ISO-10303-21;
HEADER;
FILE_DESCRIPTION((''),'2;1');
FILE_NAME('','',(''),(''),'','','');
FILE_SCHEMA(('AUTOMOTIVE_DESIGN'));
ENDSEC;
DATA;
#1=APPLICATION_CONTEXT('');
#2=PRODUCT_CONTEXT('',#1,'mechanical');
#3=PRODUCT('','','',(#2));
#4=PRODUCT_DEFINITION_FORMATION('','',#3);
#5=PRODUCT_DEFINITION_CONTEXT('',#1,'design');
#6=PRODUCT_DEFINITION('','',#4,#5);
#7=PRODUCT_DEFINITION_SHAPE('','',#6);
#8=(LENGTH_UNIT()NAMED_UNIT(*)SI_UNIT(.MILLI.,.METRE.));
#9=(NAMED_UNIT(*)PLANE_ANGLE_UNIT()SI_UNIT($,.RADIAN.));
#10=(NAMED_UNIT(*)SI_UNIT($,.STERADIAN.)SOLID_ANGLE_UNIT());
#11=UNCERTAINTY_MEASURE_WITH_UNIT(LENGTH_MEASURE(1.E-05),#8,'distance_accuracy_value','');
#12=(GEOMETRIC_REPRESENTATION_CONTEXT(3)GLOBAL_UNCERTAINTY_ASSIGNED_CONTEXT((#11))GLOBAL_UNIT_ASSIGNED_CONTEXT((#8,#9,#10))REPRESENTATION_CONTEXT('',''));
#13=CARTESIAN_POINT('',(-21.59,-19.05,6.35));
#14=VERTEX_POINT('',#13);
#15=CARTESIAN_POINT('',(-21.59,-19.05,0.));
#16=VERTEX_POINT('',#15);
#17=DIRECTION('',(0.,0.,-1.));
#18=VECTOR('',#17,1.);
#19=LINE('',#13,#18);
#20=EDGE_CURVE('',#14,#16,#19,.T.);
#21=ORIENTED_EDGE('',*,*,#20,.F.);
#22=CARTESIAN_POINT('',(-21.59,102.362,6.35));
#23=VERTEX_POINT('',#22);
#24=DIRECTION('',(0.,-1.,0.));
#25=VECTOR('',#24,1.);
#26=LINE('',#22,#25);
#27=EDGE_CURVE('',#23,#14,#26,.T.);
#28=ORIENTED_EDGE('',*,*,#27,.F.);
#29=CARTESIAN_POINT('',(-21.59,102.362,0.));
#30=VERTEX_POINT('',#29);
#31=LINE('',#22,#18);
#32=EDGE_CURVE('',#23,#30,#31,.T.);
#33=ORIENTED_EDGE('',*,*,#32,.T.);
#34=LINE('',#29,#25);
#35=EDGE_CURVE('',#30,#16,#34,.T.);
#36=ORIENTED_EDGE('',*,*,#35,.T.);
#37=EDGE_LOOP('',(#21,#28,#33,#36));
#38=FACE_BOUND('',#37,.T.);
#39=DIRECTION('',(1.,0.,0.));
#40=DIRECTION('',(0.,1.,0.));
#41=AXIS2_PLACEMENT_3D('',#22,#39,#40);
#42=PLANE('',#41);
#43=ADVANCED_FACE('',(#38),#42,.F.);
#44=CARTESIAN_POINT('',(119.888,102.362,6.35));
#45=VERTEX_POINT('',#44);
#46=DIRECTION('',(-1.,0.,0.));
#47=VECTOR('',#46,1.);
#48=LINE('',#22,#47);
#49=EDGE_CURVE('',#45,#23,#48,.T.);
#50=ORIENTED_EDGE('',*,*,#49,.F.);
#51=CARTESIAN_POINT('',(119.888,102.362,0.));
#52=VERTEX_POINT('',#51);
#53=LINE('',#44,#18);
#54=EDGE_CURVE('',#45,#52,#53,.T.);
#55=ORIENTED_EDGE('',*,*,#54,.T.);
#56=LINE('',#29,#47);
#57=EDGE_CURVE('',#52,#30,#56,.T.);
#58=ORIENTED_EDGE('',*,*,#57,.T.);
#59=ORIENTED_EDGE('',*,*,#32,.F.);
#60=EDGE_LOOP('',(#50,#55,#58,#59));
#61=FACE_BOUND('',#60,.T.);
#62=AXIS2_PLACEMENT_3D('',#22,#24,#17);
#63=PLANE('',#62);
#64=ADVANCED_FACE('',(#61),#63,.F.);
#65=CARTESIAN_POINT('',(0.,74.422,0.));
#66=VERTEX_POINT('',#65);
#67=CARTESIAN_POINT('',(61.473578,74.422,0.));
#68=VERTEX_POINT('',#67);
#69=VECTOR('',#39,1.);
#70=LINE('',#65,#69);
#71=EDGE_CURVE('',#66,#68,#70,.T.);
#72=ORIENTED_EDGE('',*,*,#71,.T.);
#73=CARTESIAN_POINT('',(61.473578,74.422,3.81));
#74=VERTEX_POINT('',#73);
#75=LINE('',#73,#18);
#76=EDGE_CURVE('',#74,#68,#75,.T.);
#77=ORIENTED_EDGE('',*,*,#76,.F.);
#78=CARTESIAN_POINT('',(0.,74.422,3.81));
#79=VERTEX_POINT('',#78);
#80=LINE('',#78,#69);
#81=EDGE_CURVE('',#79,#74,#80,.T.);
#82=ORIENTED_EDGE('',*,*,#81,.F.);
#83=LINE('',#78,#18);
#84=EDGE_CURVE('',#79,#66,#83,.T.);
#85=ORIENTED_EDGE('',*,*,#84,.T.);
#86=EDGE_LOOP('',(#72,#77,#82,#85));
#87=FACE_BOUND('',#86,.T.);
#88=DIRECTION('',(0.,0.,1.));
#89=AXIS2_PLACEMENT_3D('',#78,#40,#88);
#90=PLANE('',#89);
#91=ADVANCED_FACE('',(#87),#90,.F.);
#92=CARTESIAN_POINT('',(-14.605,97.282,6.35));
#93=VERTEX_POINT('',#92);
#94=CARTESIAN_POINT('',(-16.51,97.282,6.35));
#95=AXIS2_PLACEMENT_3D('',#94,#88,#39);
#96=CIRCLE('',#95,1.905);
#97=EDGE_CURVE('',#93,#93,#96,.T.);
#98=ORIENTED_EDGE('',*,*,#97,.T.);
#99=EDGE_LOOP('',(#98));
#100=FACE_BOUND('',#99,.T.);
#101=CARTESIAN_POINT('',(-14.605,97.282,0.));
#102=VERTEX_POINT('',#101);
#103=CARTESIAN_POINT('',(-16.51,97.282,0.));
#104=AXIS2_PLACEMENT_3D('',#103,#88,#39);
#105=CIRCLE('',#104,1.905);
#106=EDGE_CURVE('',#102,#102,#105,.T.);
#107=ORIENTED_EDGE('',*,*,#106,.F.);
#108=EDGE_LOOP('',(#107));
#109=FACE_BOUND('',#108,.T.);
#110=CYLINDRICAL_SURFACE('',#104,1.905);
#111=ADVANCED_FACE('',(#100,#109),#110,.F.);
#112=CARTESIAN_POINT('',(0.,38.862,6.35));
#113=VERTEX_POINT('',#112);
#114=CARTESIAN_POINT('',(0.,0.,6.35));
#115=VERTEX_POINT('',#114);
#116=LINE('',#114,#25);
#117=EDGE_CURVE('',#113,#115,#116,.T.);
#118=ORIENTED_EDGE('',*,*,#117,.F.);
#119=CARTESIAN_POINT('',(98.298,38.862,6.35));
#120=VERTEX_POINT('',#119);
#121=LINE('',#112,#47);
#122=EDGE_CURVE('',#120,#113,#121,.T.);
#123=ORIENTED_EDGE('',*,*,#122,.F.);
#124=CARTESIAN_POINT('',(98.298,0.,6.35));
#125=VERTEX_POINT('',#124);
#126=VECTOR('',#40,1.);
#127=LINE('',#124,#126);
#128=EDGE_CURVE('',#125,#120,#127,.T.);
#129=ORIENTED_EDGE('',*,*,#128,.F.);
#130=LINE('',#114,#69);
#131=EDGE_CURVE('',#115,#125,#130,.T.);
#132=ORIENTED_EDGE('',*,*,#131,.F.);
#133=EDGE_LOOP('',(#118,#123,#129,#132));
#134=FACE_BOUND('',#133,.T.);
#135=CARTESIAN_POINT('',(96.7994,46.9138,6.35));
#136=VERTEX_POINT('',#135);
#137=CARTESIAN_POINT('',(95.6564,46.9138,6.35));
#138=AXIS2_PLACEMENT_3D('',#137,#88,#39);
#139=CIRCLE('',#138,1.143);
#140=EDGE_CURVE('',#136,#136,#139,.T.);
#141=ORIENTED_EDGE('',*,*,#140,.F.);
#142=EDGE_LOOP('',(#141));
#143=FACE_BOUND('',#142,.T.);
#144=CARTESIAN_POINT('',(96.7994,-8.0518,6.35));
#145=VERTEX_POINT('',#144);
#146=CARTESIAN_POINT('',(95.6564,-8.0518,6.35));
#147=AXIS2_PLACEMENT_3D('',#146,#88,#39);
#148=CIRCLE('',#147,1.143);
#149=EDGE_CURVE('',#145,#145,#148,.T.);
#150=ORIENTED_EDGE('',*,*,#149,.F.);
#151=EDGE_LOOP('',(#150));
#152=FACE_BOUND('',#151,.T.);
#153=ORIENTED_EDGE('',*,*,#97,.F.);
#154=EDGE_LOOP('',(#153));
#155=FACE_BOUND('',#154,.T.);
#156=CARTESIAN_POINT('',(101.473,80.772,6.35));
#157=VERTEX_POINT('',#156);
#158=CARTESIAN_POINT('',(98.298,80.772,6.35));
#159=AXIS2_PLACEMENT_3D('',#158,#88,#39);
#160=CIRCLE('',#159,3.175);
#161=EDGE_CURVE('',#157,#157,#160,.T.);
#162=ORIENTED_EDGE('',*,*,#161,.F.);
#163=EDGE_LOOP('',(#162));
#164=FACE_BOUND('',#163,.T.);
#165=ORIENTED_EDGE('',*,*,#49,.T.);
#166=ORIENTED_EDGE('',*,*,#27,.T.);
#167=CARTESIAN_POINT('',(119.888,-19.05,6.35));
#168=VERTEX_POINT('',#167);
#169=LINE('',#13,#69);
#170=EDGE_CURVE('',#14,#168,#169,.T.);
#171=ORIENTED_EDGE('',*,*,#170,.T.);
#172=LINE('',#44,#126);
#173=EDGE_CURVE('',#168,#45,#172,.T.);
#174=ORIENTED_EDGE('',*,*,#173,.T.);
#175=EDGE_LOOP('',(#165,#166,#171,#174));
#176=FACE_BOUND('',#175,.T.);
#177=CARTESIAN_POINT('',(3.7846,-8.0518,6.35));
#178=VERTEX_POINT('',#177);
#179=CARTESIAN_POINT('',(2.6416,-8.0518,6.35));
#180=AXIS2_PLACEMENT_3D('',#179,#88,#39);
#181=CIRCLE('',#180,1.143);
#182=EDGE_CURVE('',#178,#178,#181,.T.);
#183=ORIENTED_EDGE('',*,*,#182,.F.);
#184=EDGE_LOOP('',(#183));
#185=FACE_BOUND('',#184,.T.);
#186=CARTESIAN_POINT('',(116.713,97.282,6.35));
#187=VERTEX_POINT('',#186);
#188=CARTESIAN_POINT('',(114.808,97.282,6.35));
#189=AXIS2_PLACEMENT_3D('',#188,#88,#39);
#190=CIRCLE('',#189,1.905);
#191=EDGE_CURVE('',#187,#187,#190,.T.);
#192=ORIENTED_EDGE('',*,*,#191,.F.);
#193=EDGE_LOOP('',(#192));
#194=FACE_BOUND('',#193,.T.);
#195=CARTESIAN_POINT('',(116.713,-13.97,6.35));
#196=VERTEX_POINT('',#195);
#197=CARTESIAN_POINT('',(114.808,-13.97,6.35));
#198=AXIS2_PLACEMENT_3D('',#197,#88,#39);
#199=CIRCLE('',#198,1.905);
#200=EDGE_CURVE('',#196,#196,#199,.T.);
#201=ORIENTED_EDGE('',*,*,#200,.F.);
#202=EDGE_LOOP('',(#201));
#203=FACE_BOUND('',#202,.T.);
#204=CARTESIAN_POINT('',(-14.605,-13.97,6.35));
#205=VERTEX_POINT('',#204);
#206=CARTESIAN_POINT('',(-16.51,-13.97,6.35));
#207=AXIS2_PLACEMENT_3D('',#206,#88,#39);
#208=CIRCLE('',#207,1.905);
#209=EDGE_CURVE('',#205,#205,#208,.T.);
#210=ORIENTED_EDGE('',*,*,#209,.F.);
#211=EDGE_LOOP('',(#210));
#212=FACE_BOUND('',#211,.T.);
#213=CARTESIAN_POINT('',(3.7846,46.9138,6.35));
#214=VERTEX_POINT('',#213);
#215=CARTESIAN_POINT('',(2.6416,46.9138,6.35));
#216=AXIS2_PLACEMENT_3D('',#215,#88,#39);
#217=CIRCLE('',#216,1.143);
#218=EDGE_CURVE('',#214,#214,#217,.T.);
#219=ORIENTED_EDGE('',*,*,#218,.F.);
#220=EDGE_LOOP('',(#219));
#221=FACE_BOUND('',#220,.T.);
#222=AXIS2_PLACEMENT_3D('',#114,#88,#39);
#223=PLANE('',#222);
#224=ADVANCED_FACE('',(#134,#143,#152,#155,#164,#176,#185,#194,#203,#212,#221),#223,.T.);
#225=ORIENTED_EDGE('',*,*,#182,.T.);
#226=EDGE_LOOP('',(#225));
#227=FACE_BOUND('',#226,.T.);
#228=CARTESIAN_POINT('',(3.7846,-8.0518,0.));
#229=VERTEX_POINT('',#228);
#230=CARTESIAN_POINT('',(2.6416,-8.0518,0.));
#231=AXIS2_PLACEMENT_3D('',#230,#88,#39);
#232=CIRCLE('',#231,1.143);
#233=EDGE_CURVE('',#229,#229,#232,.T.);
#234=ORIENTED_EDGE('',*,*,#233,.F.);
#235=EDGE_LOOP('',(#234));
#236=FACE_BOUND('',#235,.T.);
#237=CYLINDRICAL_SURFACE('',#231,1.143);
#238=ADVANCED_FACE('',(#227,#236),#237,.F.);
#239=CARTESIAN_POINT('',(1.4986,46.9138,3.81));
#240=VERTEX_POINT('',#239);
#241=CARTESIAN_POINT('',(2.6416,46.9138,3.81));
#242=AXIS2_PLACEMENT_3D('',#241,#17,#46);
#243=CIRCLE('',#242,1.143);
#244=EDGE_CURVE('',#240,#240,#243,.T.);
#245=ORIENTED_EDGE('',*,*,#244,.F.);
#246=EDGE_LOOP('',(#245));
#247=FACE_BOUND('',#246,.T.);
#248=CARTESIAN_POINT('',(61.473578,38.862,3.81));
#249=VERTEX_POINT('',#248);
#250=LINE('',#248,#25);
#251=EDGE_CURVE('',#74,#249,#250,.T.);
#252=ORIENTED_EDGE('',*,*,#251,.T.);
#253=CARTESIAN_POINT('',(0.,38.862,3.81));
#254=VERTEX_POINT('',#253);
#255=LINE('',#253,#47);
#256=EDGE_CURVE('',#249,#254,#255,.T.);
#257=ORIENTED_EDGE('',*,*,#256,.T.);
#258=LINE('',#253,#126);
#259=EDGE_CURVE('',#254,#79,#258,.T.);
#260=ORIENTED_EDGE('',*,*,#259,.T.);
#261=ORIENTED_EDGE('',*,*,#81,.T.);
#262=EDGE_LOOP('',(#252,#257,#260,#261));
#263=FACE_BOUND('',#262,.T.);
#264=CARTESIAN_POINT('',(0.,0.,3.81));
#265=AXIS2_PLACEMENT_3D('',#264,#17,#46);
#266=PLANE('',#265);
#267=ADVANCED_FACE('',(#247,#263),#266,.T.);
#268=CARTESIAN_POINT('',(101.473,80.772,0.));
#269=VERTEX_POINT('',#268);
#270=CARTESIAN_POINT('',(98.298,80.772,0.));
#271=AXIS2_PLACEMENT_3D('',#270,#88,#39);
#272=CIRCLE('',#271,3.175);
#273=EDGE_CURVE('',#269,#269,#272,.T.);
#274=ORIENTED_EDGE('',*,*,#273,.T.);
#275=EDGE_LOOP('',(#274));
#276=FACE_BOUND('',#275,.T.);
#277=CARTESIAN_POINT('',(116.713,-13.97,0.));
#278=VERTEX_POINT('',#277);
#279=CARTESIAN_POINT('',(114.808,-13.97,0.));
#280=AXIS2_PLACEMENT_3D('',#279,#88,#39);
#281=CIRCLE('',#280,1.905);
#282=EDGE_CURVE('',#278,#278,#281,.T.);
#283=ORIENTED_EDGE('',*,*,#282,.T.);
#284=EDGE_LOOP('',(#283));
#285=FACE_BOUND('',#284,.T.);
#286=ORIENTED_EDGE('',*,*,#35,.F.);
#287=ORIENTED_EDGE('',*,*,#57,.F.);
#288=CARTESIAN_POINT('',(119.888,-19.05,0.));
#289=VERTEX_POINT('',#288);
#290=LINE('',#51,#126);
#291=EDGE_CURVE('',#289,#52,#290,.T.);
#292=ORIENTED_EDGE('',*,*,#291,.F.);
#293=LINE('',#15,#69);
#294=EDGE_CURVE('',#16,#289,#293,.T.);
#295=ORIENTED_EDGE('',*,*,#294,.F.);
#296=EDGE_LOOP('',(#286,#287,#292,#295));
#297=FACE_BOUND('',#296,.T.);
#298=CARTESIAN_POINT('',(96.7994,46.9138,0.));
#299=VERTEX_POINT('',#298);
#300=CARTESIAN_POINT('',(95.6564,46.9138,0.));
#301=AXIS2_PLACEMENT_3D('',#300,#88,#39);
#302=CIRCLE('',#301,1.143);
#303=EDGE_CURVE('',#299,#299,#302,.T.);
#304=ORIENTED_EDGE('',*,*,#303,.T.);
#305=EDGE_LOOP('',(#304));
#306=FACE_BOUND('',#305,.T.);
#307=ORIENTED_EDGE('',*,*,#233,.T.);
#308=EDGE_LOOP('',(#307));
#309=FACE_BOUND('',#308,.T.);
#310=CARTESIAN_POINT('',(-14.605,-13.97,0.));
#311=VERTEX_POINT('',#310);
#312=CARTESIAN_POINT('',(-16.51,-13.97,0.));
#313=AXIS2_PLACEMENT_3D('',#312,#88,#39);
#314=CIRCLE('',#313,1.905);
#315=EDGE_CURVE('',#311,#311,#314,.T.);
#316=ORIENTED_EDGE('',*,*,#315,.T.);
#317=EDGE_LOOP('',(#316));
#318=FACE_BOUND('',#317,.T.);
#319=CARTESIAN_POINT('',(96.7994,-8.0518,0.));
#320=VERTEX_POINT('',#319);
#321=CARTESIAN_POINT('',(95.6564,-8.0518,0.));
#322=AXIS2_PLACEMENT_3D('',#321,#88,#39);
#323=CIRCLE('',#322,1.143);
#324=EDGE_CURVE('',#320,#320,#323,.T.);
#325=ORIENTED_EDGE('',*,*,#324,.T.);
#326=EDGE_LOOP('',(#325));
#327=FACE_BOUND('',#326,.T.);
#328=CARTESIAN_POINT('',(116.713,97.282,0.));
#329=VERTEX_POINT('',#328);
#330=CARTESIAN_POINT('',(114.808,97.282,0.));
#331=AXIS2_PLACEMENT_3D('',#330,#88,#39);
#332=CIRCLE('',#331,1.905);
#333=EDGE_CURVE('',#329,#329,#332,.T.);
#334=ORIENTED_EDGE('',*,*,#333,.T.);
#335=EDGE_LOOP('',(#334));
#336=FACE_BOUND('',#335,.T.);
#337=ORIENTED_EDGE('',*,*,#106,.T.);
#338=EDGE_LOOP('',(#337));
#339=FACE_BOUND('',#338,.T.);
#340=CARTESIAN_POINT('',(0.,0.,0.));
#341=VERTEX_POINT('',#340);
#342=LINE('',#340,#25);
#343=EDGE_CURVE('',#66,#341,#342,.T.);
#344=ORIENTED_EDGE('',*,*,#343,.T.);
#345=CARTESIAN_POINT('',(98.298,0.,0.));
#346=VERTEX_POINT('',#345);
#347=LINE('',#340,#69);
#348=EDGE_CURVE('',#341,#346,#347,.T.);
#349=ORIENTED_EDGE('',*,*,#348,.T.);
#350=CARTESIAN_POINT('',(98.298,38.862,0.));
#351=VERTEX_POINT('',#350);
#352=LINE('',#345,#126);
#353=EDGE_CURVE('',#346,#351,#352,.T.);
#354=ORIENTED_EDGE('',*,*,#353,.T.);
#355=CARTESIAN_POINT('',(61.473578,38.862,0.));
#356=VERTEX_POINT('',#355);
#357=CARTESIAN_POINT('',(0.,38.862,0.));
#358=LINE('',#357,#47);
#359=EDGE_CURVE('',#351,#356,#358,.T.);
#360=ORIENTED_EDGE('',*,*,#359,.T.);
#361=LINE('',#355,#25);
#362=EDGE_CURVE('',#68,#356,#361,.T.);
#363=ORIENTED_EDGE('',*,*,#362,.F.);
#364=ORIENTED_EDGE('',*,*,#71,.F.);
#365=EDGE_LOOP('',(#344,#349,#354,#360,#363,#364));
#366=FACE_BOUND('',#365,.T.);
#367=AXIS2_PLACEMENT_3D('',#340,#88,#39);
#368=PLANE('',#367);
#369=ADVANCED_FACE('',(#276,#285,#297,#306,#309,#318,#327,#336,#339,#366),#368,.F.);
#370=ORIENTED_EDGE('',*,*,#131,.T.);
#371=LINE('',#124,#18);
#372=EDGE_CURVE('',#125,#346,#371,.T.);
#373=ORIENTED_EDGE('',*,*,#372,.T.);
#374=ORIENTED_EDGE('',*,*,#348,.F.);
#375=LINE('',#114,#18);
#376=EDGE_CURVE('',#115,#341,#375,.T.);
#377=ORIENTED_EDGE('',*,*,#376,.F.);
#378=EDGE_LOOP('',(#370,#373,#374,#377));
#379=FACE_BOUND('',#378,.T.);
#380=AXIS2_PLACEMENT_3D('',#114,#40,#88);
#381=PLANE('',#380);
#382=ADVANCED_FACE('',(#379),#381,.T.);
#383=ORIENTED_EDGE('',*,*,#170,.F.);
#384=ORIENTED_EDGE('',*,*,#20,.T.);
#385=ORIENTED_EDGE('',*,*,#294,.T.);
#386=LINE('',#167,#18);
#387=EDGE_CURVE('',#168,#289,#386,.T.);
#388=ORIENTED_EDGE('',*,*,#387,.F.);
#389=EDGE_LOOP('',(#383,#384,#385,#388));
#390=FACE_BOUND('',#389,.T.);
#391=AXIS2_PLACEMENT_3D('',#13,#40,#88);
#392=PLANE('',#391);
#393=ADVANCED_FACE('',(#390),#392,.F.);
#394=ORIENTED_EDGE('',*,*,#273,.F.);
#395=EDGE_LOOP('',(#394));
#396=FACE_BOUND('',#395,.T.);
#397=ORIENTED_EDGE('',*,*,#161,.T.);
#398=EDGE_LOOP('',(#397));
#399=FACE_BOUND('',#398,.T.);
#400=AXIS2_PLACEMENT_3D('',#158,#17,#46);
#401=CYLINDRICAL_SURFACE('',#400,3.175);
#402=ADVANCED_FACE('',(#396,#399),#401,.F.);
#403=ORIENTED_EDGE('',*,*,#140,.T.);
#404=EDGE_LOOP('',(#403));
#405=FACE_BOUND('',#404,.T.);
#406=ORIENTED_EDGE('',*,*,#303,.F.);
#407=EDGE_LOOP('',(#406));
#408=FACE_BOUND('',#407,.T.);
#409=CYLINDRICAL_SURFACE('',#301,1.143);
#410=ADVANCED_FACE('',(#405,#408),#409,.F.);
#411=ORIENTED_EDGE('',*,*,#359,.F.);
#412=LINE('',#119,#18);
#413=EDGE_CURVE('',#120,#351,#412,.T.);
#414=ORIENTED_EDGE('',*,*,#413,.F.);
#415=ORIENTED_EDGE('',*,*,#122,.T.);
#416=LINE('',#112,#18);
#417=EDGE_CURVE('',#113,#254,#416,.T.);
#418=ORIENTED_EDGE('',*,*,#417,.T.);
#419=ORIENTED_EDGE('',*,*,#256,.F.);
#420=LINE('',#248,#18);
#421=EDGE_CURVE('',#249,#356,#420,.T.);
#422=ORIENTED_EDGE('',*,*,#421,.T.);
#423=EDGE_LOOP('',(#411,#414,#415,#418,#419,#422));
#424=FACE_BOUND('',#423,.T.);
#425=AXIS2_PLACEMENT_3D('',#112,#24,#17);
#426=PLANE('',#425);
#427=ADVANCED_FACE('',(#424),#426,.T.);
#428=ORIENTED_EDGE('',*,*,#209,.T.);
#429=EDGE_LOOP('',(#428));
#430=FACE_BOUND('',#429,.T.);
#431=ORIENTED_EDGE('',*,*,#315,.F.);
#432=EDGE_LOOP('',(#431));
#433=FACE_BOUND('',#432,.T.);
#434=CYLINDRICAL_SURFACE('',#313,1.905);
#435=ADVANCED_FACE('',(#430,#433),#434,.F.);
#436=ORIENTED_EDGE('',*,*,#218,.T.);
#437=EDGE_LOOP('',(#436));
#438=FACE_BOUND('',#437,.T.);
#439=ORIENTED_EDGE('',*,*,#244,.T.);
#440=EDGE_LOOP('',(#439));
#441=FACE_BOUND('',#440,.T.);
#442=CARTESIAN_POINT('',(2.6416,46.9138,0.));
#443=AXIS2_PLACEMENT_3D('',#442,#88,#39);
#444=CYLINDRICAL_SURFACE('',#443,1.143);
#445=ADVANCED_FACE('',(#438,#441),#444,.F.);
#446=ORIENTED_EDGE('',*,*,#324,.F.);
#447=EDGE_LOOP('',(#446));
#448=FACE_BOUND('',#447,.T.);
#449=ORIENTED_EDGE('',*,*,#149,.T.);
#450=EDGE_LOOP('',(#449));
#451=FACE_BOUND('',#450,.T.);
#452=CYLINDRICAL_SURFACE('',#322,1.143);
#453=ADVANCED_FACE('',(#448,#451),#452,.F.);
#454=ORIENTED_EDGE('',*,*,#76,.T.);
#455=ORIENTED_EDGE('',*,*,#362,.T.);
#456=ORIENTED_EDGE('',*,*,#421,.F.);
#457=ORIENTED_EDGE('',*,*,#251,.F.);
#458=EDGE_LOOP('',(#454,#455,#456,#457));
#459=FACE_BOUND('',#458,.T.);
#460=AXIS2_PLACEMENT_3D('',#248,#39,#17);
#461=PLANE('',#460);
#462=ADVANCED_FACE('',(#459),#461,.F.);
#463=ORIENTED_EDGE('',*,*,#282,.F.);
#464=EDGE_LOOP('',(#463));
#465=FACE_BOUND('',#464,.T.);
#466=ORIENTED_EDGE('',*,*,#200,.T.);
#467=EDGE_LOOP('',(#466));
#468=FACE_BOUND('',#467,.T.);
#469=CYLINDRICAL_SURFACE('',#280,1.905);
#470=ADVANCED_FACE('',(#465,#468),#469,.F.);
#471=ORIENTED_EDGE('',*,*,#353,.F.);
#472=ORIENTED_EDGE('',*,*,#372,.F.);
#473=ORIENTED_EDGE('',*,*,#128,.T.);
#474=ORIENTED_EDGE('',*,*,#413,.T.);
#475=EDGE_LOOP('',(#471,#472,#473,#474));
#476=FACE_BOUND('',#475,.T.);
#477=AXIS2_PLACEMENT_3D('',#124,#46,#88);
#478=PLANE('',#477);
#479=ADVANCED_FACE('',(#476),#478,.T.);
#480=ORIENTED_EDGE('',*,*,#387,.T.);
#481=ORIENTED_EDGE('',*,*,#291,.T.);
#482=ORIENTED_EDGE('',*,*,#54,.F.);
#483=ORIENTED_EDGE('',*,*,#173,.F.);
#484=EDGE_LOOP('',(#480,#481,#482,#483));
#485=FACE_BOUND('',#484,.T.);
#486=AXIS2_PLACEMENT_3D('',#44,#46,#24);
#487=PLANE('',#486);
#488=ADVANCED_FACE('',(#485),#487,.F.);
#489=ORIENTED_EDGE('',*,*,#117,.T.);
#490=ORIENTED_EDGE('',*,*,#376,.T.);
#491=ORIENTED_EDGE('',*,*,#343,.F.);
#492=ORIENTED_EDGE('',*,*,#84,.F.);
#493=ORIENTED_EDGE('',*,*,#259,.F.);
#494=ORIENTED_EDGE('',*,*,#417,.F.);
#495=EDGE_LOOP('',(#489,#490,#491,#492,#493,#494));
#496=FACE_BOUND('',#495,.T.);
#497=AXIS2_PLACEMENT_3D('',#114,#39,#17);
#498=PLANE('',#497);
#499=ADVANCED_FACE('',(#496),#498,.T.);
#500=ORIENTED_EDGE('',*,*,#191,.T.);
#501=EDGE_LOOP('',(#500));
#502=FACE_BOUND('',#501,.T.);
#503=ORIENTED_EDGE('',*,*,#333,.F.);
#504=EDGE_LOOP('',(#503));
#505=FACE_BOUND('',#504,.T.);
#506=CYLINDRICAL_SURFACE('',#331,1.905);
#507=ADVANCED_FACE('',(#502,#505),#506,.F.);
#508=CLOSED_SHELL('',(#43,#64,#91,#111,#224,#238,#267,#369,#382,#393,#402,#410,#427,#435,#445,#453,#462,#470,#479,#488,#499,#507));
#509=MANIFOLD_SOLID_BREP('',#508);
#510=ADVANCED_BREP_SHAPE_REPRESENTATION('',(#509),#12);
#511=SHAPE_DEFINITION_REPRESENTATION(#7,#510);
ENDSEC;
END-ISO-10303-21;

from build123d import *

# Parameters (mm, degrees)
SKETCH1_W           = 141.478
SKETCH1_H           = 121.412
SKETCH1_R           = 3.175
SKETCH1_W_2         = 98.298
SKETCH1_H_2         = 38.862
BOSS_EXTRUDE1_DEPTH = 6.35
SKETCH2_W           = 61.473578211
SKETCH2_H           = 35.56
CUT_EXTRUDE1_DEPTH  = 3.81
SKETCH3_R           = 1.143
CUT_EXTRUDE2_DEPTH  = 158.770193915
SKETCH4_R           = 1.905
CUT_EXTRUDE3_DEPTH  = 158.770193915


with BuildPart() as part:
    # Sketch1 → Boss-Extrude1 (new body)
    with BuildSketch(Plane.XY):
        with Locations((49.149, 41.656)):
            Rectangle(SKETCH1_W, SKETCH1_H)
        with Locations((98.298, 80.772)):
            Circle(SKETCH1_R, mode=Mode.SUBTRACT)
        with Locations((49.149, 19.431)):
            Rectangle(SKETCH1_W_2, SKETCH1_H_2, mode=Mode.SUBTRACT)
    extrude(amount=BOSS_EXTRUDE1_DEPTH)

    # Sketch2 → Cut-Extrude1 (cut)
    with BuildSketch(Plane(origin=(0, 0, 0), x_dir=(-1, 0, 0), z_dir=(0, 0, -1))):
        with Locations((-30.736789106, 56.642)):
            Rectangle(SKETCH2_W, SKETCH2_H)
    extrude(amount=-CUT_EXTRUDE1_DEPTH, mode=Mode.SUBTRACT)

    # Sketch3 → Cut-Extrude2 (cut, through all)
    with BuildSketch(Plane.XY.offset(6.35)):
        with Locations((2.6416, 46.9138)):
            Circle(SKETCH3_R)
        with Locations((95.6564, 46.9138)):
            Circle(SKETCH3_R)
        with Locations((95.6564, -8.0518)):
            Circle(SKETCH3_R)
        with Locations((2.6416, -8.0518)):
            Circle(SKETCH3_R)
    extrude(amount=-CUT_EXTRUDE2_DEPTH, mode=Mode.SUBTRACT)

    # Sketch4 → Cut-Extrude3 (cut, through all)
    with BuildSketch(Plane.XY.offset(6.35)):
        with Locations((-16.51, 97.282)):
            Circle(SKETCH4_R)
        with Locations((-16.51, -13.97)):
            Circle(SKETCH4_R)
        with Locations((114.808, -13.97)):
            Circle(SKETCH4_R)
        with Locations((114.808, 97.282)):
            Circle(SKETCH4_R)
    extrude(amount=-CUT_EXTRUDE3_DEPTH, mode=Mode.SUBTRACT)


solid = part.part
